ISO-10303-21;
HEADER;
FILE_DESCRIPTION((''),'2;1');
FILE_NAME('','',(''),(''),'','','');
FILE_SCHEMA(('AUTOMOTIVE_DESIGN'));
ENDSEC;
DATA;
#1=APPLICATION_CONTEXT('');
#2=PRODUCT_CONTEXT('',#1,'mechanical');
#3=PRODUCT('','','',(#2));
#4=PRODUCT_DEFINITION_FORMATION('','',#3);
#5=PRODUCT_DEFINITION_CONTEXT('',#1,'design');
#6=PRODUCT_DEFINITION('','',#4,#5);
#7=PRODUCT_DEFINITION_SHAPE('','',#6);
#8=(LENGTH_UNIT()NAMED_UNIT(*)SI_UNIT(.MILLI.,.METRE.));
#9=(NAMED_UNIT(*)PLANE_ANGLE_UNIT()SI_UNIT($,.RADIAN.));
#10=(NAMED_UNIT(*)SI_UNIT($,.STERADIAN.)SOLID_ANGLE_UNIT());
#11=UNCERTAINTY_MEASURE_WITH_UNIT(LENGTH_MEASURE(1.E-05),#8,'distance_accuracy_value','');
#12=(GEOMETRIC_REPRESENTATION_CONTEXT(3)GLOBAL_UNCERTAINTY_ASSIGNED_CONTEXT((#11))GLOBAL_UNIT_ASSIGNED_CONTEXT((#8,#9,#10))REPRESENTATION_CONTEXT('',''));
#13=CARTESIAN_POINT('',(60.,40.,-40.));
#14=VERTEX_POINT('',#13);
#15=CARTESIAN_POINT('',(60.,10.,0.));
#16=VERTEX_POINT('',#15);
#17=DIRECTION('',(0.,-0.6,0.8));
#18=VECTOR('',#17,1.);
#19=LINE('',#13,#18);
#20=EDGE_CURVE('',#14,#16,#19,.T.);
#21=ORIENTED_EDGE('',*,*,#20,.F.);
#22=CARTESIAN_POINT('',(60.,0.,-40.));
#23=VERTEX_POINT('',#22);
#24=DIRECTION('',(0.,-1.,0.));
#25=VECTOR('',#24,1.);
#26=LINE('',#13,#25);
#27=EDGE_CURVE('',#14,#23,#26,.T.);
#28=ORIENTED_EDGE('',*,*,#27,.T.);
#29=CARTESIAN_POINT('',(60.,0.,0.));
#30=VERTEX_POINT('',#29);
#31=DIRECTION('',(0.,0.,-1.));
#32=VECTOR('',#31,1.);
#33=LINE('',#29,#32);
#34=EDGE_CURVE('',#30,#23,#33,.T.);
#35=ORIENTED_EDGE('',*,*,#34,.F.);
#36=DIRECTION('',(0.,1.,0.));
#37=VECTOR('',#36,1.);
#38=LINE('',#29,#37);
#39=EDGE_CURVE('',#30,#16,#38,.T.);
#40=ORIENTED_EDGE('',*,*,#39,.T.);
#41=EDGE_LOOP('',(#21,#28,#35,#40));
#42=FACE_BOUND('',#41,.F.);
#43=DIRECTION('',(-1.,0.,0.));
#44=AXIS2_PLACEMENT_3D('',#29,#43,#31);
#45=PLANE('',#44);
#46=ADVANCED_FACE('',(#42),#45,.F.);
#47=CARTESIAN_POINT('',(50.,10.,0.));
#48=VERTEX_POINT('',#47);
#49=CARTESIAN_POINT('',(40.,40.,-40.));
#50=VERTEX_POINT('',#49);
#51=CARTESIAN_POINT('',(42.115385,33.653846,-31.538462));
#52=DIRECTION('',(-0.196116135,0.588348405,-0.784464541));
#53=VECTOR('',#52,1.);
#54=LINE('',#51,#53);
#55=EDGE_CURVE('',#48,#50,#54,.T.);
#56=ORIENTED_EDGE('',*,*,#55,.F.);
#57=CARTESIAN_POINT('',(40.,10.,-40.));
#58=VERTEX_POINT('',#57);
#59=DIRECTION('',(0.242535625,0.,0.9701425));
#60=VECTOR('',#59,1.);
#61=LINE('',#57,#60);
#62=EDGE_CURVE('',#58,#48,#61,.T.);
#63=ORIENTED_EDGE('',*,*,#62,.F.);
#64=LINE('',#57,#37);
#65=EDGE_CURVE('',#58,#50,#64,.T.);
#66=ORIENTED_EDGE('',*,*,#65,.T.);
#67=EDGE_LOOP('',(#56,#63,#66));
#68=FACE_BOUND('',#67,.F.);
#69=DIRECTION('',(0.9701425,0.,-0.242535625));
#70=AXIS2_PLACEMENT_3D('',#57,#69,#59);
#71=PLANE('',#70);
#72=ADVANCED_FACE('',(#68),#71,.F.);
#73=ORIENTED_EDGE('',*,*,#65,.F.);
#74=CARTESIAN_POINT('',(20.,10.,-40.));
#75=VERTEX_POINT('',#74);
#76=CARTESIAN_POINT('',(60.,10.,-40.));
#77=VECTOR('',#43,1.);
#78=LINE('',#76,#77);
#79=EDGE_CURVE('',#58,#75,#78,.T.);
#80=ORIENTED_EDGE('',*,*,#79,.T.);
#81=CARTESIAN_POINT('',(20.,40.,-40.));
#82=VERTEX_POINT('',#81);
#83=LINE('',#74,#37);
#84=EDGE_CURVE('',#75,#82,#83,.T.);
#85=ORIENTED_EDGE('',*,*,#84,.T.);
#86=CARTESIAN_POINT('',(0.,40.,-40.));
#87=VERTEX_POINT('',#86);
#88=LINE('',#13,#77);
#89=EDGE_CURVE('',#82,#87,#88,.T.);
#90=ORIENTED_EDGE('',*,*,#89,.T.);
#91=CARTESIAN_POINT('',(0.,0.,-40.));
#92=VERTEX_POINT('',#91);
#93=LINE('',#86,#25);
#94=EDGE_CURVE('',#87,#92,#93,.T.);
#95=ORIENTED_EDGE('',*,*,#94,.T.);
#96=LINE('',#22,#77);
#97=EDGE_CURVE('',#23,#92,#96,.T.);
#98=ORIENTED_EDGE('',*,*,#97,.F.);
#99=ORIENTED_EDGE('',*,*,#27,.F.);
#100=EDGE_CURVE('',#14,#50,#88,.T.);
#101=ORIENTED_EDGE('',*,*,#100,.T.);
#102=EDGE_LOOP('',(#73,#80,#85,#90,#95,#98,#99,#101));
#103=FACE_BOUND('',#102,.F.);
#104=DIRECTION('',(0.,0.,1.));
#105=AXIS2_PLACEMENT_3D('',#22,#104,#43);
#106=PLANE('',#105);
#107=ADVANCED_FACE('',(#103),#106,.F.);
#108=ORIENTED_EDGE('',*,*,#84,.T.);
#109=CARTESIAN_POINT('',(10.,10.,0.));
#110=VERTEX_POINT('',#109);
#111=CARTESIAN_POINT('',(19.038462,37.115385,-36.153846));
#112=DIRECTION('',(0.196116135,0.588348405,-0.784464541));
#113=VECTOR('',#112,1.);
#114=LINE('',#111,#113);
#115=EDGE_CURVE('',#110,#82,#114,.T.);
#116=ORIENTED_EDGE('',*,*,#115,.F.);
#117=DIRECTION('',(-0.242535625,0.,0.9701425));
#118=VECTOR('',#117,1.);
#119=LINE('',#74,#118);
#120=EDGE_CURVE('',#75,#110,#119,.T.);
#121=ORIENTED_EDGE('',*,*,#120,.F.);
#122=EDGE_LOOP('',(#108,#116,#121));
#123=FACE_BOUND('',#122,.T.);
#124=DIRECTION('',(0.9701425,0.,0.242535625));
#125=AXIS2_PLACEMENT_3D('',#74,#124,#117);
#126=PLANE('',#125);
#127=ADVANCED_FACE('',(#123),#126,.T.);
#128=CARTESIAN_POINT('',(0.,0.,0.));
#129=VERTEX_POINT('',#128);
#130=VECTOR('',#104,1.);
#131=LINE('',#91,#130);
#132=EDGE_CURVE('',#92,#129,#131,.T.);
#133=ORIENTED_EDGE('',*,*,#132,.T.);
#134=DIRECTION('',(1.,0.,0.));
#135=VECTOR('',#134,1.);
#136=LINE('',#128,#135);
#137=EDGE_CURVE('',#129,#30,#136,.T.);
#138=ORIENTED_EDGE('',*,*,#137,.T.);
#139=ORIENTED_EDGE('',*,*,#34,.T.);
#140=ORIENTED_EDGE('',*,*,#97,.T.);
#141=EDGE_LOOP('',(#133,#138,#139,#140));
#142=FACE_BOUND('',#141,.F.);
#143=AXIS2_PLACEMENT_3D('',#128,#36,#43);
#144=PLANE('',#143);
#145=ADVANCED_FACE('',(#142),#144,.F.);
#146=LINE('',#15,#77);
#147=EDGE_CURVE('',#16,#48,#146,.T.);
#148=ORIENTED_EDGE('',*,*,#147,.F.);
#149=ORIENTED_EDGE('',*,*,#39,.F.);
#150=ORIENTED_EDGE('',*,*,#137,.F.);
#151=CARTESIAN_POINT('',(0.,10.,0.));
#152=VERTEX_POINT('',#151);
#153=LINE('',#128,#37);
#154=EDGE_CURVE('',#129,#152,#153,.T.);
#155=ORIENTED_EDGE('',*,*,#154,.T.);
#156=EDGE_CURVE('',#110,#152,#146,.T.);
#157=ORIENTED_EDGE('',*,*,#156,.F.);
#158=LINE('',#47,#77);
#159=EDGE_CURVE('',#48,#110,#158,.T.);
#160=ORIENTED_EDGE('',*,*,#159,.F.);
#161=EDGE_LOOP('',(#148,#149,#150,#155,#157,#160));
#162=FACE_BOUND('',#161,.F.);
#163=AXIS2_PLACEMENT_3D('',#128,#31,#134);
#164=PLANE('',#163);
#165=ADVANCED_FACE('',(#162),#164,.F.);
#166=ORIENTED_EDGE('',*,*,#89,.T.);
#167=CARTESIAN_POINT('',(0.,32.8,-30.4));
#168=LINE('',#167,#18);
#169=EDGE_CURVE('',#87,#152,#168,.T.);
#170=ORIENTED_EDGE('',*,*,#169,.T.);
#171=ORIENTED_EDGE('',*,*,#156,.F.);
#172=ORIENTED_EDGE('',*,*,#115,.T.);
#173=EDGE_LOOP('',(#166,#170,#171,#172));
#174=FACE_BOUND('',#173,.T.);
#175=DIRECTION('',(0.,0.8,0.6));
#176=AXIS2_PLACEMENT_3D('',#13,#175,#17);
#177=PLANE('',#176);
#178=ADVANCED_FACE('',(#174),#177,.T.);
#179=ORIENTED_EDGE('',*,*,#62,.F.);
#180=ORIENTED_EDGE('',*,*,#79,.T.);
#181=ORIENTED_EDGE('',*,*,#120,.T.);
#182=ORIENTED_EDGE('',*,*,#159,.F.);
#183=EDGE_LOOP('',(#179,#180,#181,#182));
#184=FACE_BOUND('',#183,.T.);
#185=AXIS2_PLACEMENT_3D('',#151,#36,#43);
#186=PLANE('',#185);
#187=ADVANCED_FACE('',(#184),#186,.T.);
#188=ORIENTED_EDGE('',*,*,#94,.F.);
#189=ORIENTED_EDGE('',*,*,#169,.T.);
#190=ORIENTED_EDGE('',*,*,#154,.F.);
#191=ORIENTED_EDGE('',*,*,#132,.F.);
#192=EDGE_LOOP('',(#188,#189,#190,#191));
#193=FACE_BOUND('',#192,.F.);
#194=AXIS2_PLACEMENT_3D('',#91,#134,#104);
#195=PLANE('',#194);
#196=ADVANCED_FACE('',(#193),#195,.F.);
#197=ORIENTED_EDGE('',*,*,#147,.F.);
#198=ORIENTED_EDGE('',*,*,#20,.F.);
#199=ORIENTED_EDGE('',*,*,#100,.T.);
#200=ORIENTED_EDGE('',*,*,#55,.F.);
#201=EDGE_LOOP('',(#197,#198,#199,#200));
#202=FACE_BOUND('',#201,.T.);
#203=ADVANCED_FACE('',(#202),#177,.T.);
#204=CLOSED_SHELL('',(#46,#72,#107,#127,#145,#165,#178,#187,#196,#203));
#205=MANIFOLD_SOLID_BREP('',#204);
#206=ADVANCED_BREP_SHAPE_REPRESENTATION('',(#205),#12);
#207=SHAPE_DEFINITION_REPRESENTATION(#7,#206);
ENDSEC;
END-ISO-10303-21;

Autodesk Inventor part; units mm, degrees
ref_plane "YZ Plane" through (0, 0, 0) normal (1, 0, 0) x (0, 1, 0)
ref_plane "XZ Plane" through (0, 0, 0) normal (0, 1, 0) x (-1, 0, 0)
ref_plane "XY Plane" through (0, 0, 0) normal (0, 0, 1) x (1, 0, 0)
sketch "草圖1" plane through (0, 0, 0) normal (0, 1, 0) x (-1, 0, 0)
  line L0 (0, 0) -> (-60, 0)
  line L1 (-60, 0) -> (-60, -40)
  line L2 (-60, -40) -> (0, -40)
  line L3 (0, -40) -> (0, 0)
  dimension "d0" = 40
  dimension "d1" = 60
extrude "擠出1" add sketch "草圖1" along normal blind 10
sketch "草圖2" plane through (0, 10, 0) normal (0, 1, 0) x (1, 0, 0)
  line L0 (60, 40) -> (0, 40) projected
  line L1 (0, 40) -> (20, 40)
  line L2 (20, 40) -> (20, 0)
  line L3 (20, 0) -> (0, 0)
  line L4 (0, 0) -> (0, 40)
  line L5 (60, 0) -> (60, 40) projected
  line L6 (0, 0) -> (60, 0) projected
  line L7 (60, 40) -> (40, 40)
  line L8 (40, 40) -> (40, 0)
  line L9 (40, 0) -> (60, 0)
  line L10 (60, 0) -> (60, 40)
  dimension "d4" = 40
  dimension "d5" = 20
  dimension "d6" = 20
extrude "擠出2" add sketch "草圖2" along normal blind 30 contours L5 L6 L8 L0 | L2 L3 L4 L0
sketch "草圖3" plane through (60, 0, 0) normal (1, 0, 0) x (0, 0, -1)
  line L0 (40, 40) -> (0, 40) projected
  line L1 (40, 40) -> (0, 10)
  line L2 (0, 10) -> (0, 40)
  line L3 (40, 0) -> (40, 40) projected
  line L4 (0, 40) -> (40, 40)
  point P0 (0, 0)
  dimension "d9" = 30
extrude "擠出3" cut sketch "草圖3" against normal through all
sketch "草圖4" plane through (0, 10, 0) normal (0, 1, 0) x (1, 0, 0)
  line L0 (40, 40) -> (20, 40) projected
  line L1 (20, 40) -> (10, 0)
  line L2 (0, 0) -> (60, 0) projected
  line L3 (40, 40) -> (50, 0)
  line L4 (20, 40) -> (20, 0) projected
  line L5 (20, 0) -> (40, 0) projected
  line L6 (40, 0) -> (40, 40) projected
  line L7 (40, 40) -> (20, 40) projected
  line L8 (20, 40) -> (40, 40)
  line L9 (60, 40) -> (0, 40) projected
  line L10 (10, 0) -> (50, 0)
  dimension "d12" = 10
  dimension "d13" = 10
extrude "擠出4" cut sketch "草圖4" along normal through all
properties part number "9"
